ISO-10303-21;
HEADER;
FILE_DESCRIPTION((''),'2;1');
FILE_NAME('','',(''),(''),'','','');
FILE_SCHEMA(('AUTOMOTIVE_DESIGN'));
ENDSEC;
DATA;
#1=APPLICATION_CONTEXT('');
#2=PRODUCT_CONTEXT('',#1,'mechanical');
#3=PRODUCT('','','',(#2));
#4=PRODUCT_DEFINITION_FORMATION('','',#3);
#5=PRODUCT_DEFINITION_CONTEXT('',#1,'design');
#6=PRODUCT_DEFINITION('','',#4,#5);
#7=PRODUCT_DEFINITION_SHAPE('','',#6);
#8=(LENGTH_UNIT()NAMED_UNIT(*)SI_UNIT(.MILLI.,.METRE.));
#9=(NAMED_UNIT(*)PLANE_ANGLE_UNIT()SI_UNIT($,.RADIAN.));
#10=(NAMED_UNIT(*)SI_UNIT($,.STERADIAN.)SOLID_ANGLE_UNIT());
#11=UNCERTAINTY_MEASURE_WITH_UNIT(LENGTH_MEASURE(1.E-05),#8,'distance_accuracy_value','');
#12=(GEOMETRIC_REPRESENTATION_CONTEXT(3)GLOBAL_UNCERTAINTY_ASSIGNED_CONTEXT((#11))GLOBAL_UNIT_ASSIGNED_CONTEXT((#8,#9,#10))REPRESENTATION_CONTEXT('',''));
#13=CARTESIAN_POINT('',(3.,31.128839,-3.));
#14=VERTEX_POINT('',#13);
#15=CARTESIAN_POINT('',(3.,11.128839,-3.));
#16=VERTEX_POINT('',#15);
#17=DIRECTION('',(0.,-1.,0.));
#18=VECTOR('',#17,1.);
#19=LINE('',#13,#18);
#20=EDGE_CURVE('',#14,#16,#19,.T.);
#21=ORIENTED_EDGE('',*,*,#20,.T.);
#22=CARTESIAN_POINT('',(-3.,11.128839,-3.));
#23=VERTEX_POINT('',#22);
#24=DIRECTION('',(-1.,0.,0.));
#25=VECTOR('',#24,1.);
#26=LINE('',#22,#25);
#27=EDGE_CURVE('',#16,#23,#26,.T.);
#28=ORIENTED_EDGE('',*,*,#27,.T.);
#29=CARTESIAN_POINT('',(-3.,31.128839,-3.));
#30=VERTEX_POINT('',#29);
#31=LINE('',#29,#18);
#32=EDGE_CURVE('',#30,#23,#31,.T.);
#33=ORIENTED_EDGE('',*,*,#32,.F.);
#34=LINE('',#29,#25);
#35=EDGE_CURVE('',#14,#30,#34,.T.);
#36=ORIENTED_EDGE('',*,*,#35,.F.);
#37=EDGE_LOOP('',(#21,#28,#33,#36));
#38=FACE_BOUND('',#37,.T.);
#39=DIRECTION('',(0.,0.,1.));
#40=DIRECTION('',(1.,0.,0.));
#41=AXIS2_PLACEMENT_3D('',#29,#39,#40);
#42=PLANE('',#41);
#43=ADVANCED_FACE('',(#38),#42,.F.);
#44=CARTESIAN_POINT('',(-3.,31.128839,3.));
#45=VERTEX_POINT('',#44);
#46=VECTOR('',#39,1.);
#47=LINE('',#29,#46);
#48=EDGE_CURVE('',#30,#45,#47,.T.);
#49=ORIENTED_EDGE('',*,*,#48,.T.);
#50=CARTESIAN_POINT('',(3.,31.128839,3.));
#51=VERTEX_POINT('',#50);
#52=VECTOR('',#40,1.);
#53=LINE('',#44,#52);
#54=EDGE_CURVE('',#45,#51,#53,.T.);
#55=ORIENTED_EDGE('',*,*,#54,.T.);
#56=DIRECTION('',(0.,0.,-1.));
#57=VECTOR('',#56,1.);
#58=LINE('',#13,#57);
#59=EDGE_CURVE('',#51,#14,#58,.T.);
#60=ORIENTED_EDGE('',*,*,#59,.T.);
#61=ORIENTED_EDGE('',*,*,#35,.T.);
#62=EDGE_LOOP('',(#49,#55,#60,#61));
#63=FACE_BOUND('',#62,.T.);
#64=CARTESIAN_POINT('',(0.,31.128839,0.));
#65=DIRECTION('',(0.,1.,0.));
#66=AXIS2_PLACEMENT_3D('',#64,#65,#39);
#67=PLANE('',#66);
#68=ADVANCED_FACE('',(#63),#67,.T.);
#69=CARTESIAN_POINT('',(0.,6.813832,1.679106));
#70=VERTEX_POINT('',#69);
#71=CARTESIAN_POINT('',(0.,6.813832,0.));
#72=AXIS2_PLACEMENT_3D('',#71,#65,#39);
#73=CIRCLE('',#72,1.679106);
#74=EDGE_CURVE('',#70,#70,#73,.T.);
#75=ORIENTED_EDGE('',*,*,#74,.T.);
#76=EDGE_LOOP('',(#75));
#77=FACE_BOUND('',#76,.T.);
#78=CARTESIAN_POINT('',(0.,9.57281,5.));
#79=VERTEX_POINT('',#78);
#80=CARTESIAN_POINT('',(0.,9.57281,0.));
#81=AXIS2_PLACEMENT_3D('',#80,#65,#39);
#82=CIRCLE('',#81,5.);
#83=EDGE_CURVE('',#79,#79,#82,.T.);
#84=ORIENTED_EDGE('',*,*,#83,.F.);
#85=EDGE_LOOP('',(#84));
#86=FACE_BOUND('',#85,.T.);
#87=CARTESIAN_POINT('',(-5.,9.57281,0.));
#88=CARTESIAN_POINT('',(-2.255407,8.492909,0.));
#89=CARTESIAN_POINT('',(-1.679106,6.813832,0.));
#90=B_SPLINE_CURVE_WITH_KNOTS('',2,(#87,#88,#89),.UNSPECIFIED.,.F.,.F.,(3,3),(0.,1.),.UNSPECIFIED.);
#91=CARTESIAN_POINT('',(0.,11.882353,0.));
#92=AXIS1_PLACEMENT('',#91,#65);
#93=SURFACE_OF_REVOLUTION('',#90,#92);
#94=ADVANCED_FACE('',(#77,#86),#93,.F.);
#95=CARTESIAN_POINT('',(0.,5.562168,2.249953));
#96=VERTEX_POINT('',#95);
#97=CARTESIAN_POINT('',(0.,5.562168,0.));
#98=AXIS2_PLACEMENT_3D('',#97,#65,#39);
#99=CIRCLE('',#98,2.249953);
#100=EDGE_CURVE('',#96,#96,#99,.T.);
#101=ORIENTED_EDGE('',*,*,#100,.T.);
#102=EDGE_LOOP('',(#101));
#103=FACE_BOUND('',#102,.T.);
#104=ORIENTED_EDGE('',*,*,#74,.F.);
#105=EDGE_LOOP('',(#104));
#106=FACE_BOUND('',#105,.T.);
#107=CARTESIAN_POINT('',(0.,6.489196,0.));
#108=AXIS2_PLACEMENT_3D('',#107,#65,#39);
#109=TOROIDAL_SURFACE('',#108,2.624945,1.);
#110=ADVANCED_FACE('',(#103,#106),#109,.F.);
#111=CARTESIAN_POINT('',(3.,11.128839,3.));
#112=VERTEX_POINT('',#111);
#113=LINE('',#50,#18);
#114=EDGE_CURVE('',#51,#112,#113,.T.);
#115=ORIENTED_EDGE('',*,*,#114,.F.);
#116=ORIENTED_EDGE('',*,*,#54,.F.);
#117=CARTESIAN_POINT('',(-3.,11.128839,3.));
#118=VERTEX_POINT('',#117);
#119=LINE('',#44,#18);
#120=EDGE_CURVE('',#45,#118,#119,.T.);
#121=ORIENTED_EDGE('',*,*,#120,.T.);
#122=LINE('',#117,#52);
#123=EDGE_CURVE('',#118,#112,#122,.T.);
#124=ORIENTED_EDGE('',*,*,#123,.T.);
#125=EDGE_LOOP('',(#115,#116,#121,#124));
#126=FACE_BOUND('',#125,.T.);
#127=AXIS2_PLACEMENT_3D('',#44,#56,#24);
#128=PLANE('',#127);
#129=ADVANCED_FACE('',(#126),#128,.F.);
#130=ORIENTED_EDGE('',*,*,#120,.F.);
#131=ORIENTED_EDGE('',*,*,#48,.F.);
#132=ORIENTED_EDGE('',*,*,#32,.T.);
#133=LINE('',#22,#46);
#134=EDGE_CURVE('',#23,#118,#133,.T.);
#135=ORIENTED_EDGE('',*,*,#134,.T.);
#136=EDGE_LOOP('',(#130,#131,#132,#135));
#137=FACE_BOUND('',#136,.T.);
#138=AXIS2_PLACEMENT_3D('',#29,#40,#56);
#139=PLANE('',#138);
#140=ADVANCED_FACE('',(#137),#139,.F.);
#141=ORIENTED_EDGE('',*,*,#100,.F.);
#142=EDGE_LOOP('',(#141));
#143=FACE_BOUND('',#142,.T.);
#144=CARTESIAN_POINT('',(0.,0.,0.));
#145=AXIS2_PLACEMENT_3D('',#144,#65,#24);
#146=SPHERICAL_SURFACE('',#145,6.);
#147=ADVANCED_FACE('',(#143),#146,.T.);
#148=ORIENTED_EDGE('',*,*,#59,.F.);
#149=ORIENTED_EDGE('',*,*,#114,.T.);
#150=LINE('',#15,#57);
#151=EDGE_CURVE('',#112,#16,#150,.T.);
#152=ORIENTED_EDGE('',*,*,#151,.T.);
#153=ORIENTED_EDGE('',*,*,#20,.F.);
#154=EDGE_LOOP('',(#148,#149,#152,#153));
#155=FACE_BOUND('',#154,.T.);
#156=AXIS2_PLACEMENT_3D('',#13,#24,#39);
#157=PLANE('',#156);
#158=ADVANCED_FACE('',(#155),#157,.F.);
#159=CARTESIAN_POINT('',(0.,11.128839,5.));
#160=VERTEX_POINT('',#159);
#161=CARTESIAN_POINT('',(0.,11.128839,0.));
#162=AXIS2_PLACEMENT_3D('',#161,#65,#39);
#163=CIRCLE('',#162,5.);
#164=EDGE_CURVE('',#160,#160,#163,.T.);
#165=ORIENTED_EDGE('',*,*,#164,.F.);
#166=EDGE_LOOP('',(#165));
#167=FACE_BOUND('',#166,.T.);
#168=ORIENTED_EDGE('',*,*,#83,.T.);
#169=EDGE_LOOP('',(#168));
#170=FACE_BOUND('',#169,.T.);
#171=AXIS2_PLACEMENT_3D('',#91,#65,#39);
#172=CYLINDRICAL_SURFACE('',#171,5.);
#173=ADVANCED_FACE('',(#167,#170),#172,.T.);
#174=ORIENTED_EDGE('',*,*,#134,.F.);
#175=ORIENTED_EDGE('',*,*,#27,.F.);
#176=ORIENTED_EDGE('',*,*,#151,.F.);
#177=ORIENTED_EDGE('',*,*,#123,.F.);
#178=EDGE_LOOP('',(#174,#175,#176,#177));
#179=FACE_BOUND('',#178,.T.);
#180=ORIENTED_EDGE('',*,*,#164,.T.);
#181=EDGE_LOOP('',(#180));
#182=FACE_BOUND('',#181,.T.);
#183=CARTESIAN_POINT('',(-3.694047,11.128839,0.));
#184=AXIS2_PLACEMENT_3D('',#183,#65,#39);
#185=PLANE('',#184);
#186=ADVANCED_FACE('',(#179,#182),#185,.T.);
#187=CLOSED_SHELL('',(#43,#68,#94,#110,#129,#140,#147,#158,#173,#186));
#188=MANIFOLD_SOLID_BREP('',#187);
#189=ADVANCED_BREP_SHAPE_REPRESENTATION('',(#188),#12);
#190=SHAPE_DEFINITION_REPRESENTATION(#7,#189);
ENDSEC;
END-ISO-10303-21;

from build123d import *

# Parameters (mm, degrees)
SKETCH_2_W      = 6
SKETCH_2_H      = 6
EXTRUDE_1_DEPTH = 20


with BuildPart() as part:
    # 草图1 → 旋转1 (revolve)
    with BuildSketch(Plane.XY, mode=Mode.PRIVATE) as revolve_1_sk:
        with BuildLine():
            Line((-5, 9.572809864), (-5, 11.128838899))
            Line((-5, 11.128838899), (-3.694047059, 11.128838899))
            Line((-3.694047059, 11.128838899), (0, 11.128838899))
            Line((0, 11.128838899), (0, -6))
            ThreePointArc((0, -6), (-5.889524943, -1.146078506), (-2.249952649, 5.56216802))
            ThreePointArc((-2.249952649, 5.56216802), (-1.71510176, 6.07424335), (-1.67910561, 6.813831678))
            add(Edge.make_bspline(
                [(-1.67910561, 6.813831678), (-2.255406993, 8.492909128), (-5, 9.572809864)],
                knots=[0, 0, 0, 1, 1, 1], degree=2))
        make_face()
    revolve(revolve_1_sk.sketch.rotate(Axis((0, 11.882352941, 0), (0, -1, 0)), 270), axis=Axis((0, 11.882352941, 0), (0, -1, 0)))

    # 草图2 → 凸台-拉伸1 (add)
    with BuildSketch(Plane(origin=(0, 11.128838899, 0), x_dir=(1, 0, 0), z_dir=(0, 1, 0))):
        Rectangle(SKETCH_2_W, SKETCH_2_H)
    extrude(amount=EXTRUDE_1_DEPTH)


solid = part.part
